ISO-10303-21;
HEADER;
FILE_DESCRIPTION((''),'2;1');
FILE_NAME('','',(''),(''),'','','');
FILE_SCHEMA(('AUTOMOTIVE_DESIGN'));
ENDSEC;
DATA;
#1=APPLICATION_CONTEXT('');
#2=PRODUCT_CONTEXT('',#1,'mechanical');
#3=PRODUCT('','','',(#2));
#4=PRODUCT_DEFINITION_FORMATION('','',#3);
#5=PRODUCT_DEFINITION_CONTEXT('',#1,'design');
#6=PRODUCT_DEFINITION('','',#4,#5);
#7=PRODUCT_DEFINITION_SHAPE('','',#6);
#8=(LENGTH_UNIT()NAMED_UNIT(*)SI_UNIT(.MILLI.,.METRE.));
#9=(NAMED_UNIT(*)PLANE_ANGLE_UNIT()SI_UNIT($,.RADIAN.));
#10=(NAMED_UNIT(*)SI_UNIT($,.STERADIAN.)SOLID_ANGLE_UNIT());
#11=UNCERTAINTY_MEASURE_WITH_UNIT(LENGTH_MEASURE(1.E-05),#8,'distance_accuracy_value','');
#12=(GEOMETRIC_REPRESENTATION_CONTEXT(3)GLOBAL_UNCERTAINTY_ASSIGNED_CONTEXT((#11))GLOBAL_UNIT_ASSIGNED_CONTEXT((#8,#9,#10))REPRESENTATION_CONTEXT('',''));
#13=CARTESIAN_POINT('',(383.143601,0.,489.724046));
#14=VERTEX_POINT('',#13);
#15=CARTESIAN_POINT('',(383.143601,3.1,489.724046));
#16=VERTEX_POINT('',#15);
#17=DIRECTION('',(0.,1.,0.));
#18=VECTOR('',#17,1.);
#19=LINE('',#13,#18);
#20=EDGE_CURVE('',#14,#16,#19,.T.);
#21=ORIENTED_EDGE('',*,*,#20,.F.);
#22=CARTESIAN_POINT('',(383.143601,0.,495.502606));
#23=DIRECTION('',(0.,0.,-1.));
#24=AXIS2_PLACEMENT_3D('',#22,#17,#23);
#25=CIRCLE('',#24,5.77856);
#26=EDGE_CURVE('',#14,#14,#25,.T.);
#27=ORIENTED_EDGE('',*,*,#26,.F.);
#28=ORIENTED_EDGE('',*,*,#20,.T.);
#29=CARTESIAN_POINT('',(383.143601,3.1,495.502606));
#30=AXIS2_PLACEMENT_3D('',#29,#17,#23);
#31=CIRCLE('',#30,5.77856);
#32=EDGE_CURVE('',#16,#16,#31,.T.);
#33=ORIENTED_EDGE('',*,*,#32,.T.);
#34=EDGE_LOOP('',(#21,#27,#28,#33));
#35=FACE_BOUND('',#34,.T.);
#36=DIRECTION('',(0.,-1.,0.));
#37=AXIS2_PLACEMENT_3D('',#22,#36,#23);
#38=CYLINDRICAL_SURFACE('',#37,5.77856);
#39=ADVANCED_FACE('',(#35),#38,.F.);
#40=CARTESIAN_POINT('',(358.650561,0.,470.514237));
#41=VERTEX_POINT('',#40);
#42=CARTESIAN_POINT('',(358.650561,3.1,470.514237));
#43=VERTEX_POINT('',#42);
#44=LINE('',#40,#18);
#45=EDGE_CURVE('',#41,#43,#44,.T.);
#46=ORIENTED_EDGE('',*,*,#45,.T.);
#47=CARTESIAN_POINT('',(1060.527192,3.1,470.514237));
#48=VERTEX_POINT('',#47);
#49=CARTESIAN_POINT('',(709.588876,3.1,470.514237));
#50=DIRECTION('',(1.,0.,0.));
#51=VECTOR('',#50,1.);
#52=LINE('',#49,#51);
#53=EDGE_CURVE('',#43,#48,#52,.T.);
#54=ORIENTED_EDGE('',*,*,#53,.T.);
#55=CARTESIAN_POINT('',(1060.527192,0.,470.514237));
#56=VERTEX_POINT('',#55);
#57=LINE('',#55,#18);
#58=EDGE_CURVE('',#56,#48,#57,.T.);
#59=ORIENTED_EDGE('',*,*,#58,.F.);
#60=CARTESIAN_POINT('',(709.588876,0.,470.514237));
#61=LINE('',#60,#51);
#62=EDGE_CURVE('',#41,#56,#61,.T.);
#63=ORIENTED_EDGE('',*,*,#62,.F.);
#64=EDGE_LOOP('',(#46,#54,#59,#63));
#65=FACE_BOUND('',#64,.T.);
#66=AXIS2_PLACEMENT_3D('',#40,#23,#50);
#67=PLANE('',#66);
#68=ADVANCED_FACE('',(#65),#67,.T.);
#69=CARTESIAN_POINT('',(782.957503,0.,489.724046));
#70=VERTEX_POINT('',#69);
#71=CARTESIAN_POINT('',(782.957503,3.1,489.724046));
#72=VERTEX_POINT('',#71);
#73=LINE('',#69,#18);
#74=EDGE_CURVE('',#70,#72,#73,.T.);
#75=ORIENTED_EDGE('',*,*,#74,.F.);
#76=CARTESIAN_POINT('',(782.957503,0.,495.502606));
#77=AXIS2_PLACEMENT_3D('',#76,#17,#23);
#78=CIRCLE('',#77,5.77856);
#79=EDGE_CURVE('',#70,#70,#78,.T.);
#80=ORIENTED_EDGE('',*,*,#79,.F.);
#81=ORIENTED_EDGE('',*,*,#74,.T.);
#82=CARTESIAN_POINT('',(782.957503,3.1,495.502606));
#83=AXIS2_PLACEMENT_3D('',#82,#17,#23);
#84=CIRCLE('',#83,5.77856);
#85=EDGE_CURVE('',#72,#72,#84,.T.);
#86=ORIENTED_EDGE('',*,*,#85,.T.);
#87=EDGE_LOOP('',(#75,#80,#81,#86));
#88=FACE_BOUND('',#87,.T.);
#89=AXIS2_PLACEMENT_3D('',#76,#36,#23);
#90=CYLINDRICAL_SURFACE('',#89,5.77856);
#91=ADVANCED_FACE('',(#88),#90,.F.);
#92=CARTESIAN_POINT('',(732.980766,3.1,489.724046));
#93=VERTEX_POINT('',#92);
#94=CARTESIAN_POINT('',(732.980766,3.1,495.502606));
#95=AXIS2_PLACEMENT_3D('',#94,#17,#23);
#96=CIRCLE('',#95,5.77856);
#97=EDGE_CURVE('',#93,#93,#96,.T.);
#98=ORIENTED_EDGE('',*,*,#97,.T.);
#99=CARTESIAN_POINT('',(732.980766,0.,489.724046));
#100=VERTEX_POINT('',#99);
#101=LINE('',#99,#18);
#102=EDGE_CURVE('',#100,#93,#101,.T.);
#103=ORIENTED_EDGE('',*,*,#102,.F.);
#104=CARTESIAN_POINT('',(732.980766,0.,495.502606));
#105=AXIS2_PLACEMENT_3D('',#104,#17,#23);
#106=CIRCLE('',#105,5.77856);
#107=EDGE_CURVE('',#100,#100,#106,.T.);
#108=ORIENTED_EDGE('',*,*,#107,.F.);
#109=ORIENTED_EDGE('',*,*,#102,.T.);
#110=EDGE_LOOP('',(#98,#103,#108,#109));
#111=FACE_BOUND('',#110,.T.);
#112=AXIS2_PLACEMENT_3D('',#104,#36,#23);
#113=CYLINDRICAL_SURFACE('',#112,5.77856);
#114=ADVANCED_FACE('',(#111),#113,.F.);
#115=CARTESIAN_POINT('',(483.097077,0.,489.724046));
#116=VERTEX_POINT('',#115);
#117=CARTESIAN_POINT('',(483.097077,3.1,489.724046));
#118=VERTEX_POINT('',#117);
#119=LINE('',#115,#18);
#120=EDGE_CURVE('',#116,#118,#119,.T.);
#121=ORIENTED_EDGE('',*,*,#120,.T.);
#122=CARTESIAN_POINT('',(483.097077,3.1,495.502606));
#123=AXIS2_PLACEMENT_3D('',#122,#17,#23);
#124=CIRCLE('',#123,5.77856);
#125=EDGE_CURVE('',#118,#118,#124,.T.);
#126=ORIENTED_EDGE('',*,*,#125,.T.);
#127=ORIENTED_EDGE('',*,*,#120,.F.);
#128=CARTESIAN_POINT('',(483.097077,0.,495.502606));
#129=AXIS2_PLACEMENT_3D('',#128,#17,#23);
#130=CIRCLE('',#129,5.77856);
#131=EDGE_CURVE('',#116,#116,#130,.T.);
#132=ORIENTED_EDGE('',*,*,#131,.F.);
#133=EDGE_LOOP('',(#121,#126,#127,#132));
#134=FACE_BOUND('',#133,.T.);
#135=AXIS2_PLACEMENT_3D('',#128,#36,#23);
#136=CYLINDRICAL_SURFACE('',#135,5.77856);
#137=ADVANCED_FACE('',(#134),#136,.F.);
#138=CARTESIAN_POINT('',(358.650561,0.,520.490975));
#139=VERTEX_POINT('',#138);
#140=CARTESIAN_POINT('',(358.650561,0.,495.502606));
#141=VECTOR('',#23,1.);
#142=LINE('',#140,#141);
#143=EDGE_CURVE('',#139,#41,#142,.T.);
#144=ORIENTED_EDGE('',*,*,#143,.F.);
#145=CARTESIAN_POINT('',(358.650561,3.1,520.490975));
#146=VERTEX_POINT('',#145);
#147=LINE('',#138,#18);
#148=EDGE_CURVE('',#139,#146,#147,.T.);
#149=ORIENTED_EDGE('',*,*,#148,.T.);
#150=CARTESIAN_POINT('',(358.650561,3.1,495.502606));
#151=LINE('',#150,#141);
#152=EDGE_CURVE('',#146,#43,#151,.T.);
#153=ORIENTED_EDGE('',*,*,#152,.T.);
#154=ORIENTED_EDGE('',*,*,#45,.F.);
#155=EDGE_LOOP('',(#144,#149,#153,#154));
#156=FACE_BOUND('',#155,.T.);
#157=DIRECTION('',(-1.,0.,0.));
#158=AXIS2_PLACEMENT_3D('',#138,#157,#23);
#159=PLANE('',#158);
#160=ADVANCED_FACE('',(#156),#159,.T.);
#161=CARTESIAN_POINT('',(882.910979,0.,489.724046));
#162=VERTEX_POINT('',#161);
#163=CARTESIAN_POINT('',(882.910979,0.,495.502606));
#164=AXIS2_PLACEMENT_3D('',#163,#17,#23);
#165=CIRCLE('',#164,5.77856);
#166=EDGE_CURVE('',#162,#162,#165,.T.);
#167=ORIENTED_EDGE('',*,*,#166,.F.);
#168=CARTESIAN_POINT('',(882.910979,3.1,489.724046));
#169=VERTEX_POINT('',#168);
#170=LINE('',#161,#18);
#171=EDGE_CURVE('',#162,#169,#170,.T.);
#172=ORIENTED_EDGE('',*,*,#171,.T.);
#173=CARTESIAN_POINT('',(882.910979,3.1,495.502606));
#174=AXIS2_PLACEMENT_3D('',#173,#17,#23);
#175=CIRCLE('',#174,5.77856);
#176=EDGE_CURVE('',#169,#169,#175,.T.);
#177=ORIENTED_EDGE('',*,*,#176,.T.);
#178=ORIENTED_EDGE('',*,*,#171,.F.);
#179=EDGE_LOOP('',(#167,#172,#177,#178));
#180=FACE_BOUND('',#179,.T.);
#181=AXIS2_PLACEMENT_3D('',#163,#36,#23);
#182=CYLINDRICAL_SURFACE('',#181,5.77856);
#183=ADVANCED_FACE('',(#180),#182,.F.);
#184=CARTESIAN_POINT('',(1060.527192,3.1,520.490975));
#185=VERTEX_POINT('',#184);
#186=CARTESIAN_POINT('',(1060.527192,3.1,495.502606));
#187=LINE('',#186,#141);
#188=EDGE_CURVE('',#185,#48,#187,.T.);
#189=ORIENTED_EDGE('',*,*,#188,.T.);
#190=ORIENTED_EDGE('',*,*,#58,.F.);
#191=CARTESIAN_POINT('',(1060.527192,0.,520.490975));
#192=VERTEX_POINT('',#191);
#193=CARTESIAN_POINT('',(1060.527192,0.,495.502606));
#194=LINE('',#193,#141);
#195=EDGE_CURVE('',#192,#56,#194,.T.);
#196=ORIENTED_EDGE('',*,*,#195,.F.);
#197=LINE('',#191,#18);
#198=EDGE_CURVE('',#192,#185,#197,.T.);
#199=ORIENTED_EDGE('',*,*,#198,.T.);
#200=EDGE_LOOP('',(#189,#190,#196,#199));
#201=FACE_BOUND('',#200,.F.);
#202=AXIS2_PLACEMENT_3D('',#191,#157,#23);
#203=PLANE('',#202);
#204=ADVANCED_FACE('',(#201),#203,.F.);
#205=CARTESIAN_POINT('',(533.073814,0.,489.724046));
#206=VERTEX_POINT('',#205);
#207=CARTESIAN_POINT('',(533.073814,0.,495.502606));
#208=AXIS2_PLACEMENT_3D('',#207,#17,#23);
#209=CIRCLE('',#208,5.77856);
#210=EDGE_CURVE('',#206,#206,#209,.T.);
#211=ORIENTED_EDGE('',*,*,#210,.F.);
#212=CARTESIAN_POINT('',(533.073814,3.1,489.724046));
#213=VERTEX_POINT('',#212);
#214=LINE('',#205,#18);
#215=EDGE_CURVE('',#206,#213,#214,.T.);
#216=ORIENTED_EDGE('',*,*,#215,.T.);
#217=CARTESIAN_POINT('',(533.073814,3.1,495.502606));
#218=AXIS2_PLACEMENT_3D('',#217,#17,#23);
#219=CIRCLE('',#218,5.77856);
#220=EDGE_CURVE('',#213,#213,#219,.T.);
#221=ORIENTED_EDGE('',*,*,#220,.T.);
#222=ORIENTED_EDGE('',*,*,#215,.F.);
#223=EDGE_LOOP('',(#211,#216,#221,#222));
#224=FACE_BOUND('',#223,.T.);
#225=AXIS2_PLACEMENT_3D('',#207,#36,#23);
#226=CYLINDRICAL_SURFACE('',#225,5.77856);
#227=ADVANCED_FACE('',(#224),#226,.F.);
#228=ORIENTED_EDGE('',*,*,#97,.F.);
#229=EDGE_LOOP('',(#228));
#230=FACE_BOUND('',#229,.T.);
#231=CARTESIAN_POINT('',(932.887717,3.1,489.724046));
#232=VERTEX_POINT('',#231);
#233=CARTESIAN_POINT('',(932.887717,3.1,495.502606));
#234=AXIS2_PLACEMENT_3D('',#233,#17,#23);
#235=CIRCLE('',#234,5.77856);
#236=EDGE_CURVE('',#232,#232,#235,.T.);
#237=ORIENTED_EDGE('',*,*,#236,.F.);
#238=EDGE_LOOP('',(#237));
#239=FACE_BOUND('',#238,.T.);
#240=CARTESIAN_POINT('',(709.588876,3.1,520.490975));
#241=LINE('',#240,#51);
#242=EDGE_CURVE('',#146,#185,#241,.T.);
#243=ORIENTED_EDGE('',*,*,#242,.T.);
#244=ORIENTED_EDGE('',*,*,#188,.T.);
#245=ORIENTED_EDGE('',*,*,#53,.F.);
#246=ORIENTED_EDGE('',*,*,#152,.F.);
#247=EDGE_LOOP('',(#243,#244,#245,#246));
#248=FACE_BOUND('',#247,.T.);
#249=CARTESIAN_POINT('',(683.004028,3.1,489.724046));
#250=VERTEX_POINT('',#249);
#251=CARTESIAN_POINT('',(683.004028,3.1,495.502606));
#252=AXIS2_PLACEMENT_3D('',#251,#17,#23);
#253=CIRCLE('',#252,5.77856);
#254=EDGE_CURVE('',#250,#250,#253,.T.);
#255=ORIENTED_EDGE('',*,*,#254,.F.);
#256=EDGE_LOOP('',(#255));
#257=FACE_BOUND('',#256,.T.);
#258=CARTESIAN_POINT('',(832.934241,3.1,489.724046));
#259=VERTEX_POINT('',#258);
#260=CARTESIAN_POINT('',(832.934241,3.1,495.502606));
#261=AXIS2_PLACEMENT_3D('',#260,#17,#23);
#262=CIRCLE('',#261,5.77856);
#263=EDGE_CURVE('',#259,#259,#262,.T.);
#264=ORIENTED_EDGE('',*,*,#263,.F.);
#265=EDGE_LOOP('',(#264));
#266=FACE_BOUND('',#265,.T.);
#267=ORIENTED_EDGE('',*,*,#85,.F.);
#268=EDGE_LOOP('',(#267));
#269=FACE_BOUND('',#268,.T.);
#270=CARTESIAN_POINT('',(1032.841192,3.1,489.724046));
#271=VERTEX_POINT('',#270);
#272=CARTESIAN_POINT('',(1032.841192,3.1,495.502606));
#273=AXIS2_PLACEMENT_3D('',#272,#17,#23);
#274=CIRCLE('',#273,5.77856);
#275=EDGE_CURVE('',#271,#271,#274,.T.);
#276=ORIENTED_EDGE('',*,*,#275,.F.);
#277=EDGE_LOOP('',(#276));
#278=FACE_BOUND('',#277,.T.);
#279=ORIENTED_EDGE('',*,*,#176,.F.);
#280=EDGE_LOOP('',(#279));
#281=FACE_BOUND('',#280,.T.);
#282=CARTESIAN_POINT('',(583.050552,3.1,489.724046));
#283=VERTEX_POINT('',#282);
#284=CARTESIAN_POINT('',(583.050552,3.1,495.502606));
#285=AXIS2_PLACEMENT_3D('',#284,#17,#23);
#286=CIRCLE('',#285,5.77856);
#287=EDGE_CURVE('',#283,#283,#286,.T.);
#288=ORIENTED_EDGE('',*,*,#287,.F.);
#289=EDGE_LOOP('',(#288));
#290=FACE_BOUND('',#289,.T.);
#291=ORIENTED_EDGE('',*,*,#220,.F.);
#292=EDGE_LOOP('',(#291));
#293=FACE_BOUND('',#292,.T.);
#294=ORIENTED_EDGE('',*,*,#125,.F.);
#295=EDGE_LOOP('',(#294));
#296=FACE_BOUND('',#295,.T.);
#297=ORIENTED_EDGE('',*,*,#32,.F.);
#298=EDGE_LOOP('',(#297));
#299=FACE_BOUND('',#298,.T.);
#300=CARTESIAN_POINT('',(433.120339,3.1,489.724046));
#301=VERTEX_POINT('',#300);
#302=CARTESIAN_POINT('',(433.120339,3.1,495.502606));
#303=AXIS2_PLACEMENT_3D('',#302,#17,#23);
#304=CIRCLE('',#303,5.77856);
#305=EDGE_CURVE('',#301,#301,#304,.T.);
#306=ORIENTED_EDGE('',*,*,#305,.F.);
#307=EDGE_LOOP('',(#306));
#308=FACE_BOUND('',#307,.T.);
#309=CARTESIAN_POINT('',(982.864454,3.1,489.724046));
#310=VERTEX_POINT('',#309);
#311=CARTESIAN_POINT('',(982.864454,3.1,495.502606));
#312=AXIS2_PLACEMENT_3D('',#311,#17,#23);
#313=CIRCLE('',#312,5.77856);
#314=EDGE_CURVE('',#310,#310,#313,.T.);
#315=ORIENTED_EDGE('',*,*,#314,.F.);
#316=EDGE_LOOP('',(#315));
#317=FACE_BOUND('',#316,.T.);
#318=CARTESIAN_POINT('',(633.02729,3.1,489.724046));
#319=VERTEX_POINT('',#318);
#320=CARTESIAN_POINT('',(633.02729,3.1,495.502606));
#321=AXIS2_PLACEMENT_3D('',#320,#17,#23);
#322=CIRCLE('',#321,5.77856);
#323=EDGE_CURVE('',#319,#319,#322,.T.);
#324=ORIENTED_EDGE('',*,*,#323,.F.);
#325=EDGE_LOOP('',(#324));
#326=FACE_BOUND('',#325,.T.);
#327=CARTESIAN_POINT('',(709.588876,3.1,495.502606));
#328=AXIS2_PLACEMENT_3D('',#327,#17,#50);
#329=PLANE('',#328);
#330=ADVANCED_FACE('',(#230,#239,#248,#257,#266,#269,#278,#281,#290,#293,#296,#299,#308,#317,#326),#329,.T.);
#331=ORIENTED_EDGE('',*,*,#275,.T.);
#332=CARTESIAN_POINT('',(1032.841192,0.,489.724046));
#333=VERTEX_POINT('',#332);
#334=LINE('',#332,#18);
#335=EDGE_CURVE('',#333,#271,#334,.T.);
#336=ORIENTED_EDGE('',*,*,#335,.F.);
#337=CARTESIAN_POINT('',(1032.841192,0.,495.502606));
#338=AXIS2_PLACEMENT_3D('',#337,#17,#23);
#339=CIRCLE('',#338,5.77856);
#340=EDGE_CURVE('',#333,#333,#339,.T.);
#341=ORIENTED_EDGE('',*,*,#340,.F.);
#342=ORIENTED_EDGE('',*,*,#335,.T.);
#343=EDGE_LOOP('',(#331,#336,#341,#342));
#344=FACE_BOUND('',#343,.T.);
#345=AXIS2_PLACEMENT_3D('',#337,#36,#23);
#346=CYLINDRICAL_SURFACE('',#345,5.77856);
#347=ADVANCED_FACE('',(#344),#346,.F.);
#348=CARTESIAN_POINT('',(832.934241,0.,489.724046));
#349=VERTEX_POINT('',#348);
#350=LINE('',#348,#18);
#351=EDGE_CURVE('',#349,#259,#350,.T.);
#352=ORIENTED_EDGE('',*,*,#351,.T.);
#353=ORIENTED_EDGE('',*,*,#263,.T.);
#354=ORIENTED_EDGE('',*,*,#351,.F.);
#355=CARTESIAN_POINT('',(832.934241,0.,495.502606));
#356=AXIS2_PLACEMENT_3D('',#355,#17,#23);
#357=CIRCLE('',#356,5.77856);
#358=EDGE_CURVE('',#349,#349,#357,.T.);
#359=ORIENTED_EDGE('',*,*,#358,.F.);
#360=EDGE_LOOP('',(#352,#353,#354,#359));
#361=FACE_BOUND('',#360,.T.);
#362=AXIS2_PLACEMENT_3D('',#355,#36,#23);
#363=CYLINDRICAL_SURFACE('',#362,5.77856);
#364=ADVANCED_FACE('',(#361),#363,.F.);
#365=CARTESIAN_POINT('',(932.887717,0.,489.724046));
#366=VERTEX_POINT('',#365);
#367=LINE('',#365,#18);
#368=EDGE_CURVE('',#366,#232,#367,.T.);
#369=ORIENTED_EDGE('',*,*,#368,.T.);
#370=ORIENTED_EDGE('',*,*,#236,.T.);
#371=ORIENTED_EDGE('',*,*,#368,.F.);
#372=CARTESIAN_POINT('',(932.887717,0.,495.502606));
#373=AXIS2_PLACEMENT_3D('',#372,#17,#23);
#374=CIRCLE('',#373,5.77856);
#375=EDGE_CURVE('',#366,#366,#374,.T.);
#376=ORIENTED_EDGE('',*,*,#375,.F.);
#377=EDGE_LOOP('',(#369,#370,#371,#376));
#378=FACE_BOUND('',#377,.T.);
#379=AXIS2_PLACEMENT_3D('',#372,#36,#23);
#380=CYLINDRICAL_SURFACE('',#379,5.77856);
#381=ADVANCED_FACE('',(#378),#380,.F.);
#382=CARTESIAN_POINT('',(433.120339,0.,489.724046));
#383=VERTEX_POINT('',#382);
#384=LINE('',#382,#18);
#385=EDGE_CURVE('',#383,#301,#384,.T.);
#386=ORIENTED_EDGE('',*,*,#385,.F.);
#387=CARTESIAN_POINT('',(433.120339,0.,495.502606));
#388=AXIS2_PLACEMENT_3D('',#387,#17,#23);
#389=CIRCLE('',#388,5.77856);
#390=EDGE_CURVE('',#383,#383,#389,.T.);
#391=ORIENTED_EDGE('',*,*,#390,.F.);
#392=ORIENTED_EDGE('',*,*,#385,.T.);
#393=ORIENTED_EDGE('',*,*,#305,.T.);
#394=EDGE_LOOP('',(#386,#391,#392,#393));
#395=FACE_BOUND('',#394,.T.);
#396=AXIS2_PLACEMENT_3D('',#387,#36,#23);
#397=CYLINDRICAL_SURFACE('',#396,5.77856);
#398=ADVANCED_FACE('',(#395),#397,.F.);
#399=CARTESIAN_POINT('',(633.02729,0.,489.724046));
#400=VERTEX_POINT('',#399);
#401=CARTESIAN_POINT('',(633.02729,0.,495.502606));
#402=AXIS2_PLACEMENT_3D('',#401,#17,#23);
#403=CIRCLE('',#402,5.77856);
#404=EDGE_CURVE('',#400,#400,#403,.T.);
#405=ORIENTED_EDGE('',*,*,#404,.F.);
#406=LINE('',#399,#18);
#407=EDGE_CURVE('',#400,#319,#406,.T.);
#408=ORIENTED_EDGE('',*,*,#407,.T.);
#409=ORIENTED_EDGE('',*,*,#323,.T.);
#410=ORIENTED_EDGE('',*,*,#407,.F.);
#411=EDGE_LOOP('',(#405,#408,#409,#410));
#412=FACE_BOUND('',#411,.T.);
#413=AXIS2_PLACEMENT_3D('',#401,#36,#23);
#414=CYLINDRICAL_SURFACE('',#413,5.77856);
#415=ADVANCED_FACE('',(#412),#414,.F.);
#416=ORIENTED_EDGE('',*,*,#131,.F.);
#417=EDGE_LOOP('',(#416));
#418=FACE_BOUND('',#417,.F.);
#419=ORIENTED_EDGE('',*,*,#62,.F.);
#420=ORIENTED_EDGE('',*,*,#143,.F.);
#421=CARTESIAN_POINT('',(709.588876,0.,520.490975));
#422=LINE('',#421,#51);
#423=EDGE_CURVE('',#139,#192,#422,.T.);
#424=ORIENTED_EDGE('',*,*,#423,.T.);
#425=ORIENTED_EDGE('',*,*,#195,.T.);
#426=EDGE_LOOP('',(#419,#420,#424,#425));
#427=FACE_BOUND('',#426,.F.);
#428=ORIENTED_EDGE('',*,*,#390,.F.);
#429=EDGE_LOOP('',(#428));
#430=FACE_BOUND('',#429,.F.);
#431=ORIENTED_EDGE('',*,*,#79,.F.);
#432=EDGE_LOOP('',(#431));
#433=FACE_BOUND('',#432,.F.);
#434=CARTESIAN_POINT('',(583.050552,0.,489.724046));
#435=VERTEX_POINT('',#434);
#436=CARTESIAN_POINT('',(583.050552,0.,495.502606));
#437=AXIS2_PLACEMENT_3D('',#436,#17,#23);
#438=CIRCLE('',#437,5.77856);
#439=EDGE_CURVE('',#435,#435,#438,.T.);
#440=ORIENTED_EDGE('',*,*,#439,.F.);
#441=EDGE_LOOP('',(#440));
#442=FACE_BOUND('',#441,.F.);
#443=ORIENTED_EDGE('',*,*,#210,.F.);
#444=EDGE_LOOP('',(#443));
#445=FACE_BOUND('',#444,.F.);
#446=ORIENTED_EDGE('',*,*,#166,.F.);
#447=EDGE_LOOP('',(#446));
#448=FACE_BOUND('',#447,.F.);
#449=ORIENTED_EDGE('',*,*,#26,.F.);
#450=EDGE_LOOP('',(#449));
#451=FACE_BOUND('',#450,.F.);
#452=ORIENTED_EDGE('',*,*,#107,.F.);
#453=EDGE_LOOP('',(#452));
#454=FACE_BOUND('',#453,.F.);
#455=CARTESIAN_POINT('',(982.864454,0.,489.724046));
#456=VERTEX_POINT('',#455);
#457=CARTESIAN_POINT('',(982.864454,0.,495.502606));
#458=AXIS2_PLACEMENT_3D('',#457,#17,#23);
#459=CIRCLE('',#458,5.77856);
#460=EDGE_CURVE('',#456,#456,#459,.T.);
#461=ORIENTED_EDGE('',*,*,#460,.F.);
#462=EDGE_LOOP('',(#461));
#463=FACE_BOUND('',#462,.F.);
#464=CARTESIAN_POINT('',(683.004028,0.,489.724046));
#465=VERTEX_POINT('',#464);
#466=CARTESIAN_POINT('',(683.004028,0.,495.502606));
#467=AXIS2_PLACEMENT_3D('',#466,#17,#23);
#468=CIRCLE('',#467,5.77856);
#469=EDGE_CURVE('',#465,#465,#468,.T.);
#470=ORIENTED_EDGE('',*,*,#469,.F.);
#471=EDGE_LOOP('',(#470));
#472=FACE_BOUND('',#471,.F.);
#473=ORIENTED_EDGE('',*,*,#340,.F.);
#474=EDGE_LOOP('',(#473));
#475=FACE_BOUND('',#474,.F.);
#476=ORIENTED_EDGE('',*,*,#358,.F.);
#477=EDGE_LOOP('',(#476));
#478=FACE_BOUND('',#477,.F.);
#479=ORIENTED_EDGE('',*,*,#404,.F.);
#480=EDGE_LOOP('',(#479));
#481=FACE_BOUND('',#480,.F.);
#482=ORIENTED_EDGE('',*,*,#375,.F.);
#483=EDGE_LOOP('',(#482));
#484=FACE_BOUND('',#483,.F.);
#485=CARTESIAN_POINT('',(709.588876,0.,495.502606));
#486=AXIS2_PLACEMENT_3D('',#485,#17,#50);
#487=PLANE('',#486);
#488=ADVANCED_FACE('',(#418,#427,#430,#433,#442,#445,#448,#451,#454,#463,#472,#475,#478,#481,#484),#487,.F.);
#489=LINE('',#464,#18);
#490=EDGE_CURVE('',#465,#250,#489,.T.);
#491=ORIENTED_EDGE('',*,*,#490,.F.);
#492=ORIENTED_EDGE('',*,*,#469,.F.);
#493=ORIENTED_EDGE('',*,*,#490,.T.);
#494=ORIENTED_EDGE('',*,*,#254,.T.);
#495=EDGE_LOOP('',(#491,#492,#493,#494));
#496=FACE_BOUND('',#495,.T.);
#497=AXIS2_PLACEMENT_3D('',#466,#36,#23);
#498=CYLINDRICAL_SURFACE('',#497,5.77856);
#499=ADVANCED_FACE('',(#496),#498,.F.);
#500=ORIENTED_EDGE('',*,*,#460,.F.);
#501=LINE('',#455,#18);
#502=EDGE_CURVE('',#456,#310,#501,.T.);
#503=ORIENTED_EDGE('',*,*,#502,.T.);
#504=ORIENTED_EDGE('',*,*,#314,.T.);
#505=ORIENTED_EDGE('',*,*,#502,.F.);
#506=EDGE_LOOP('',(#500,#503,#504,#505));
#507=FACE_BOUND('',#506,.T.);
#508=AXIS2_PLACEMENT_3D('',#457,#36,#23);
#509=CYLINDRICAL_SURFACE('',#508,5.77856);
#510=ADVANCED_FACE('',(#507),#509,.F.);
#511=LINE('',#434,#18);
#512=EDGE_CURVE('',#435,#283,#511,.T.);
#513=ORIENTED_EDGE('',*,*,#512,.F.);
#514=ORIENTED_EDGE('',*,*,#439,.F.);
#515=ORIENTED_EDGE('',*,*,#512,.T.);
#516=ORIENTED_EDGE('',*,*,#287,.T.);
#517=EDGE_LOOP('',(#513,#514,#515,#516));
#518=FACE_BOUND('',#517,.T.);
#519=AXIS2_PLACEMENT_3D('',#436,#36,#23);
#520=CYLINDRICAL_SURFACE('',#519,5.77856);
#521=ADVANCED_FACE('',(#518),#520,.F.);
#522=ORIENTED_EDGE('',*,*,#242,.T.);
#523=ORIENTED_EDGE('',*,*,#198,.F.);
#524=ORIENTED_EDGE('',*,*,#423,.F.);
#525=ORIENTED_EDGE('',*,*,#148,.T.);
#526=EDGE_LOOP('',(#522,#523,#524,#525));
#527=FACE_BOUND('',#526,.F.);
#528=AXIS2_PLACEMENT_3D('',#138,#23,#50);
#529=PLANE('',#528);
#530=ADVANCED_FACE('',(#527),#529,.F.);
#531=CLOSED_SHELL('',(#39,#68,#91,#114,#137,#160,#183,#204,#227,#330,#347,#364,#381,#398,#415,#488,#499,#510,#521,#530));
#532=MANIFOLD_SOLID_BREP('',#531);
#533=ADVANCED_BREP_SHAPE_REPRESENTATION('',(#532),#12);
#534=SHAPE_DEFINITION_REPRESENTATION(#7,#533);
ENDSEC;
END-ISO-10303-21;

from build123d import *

# Parameters (mm, degrees)
SKETCH1_W           = 701.876631599
SKETCH1_H           = 49.976737776
SKETCH1_R           = 5.778560305
BOSS_EXTRUDE1_DEPTH = 3.1


with BuildPart() as part:
    # Sketch1 → Boss-Extrude1 (new body)
    with BuildSketch(Plane(origin=(0, 0, 0), x_dir=(1, 0, 0), z_dir=(0, 1, 0))):
        with Locations((709.588876406, -495.502605974)):
            Rectangle(SKETCH1_W, SKETCH1_H)
        with Locations(Location((383.143601119, -495.502605974, 0), (0, 0, 90))):
            Circle(SKETCH1_R, mode=Mode.SUBTRACT)
        with Locations(Location((433.120338895, -495.502605974, 0), (0, 0, 90))):
            Circle(SKETCH1_R, mode=Mode.SUBTRACT)
        with Locations(Location((483.097076671, -495.502605974, 0), (0, 0, 90))):
            Circle(SKETCH1_R, mode=Mode.SUBTRACT)
        with Locations(Location((533.073814447, -495.502605974, 0), (0, 0, 90))):
            Circle(SKETCH1_R, mode=Mode.SUBTRACT)
        with Locations(Location((583.050552222, -495.502605974, 0), (0, 0, 90))):
            Circle(SKETCH1_R, mode=Mode.SUBTRACT)
        with Locations(Location((633.027289998, -495.502605974, 0), (0, 0, 90))):
            Circle(SKETCH1_R, mode=Mode.SUBTRACT)
        with Locations(Location((683.004027774, -495.502605974, 0), (0, 0, 90))):
            Circle(SKETCH1_R, mode=Mode.SUBTRACT)
        with Locations(Location((732.98076555, -495.502605974, 0), (0, 0, 90))):
            Circle(SKETCH1_R, mode=Mode.SUBTRACT)
        with Locations(Location((782.957503326, -495.502605974, 0), (0, 0, 90))):
            Circle(SKETCH1_R, mode=Mode.SUBTRACT)
        with Locations(Location((832.934241102, -495.502605974, 0), (0, 0, 90))):
            Circle(SKETCH1_R, mode=Mode.SUBTRACT)
        with Locations(Location((882.910978877, -495.502605974, 0), (0, 0, 90))):
            Circle(SKETCH1_R, mode=Mode.SUBTRACT)
        with Locations(Location((932.887716653, -495.502605974, 0), (0, 0, 90))):
            Circle(SKETCH1_R, mode=Mode.SUBTRACT)
        with Locations(Location((982.864454429, -495.502605974, 0), (0, 0, 90))):
            Circle(SKETCH1_R, mode=Mode.SUBTRACT)
        with Locations(Location((1032.841192205, -495.502605974, 0), (0, 0, 90))):
            Circle(SKETCH1_R, mode=Mode.SUBTRACT)
    extrude(amount=BOSS_EXTRUDE1_DEPTH)


solid = part.part
